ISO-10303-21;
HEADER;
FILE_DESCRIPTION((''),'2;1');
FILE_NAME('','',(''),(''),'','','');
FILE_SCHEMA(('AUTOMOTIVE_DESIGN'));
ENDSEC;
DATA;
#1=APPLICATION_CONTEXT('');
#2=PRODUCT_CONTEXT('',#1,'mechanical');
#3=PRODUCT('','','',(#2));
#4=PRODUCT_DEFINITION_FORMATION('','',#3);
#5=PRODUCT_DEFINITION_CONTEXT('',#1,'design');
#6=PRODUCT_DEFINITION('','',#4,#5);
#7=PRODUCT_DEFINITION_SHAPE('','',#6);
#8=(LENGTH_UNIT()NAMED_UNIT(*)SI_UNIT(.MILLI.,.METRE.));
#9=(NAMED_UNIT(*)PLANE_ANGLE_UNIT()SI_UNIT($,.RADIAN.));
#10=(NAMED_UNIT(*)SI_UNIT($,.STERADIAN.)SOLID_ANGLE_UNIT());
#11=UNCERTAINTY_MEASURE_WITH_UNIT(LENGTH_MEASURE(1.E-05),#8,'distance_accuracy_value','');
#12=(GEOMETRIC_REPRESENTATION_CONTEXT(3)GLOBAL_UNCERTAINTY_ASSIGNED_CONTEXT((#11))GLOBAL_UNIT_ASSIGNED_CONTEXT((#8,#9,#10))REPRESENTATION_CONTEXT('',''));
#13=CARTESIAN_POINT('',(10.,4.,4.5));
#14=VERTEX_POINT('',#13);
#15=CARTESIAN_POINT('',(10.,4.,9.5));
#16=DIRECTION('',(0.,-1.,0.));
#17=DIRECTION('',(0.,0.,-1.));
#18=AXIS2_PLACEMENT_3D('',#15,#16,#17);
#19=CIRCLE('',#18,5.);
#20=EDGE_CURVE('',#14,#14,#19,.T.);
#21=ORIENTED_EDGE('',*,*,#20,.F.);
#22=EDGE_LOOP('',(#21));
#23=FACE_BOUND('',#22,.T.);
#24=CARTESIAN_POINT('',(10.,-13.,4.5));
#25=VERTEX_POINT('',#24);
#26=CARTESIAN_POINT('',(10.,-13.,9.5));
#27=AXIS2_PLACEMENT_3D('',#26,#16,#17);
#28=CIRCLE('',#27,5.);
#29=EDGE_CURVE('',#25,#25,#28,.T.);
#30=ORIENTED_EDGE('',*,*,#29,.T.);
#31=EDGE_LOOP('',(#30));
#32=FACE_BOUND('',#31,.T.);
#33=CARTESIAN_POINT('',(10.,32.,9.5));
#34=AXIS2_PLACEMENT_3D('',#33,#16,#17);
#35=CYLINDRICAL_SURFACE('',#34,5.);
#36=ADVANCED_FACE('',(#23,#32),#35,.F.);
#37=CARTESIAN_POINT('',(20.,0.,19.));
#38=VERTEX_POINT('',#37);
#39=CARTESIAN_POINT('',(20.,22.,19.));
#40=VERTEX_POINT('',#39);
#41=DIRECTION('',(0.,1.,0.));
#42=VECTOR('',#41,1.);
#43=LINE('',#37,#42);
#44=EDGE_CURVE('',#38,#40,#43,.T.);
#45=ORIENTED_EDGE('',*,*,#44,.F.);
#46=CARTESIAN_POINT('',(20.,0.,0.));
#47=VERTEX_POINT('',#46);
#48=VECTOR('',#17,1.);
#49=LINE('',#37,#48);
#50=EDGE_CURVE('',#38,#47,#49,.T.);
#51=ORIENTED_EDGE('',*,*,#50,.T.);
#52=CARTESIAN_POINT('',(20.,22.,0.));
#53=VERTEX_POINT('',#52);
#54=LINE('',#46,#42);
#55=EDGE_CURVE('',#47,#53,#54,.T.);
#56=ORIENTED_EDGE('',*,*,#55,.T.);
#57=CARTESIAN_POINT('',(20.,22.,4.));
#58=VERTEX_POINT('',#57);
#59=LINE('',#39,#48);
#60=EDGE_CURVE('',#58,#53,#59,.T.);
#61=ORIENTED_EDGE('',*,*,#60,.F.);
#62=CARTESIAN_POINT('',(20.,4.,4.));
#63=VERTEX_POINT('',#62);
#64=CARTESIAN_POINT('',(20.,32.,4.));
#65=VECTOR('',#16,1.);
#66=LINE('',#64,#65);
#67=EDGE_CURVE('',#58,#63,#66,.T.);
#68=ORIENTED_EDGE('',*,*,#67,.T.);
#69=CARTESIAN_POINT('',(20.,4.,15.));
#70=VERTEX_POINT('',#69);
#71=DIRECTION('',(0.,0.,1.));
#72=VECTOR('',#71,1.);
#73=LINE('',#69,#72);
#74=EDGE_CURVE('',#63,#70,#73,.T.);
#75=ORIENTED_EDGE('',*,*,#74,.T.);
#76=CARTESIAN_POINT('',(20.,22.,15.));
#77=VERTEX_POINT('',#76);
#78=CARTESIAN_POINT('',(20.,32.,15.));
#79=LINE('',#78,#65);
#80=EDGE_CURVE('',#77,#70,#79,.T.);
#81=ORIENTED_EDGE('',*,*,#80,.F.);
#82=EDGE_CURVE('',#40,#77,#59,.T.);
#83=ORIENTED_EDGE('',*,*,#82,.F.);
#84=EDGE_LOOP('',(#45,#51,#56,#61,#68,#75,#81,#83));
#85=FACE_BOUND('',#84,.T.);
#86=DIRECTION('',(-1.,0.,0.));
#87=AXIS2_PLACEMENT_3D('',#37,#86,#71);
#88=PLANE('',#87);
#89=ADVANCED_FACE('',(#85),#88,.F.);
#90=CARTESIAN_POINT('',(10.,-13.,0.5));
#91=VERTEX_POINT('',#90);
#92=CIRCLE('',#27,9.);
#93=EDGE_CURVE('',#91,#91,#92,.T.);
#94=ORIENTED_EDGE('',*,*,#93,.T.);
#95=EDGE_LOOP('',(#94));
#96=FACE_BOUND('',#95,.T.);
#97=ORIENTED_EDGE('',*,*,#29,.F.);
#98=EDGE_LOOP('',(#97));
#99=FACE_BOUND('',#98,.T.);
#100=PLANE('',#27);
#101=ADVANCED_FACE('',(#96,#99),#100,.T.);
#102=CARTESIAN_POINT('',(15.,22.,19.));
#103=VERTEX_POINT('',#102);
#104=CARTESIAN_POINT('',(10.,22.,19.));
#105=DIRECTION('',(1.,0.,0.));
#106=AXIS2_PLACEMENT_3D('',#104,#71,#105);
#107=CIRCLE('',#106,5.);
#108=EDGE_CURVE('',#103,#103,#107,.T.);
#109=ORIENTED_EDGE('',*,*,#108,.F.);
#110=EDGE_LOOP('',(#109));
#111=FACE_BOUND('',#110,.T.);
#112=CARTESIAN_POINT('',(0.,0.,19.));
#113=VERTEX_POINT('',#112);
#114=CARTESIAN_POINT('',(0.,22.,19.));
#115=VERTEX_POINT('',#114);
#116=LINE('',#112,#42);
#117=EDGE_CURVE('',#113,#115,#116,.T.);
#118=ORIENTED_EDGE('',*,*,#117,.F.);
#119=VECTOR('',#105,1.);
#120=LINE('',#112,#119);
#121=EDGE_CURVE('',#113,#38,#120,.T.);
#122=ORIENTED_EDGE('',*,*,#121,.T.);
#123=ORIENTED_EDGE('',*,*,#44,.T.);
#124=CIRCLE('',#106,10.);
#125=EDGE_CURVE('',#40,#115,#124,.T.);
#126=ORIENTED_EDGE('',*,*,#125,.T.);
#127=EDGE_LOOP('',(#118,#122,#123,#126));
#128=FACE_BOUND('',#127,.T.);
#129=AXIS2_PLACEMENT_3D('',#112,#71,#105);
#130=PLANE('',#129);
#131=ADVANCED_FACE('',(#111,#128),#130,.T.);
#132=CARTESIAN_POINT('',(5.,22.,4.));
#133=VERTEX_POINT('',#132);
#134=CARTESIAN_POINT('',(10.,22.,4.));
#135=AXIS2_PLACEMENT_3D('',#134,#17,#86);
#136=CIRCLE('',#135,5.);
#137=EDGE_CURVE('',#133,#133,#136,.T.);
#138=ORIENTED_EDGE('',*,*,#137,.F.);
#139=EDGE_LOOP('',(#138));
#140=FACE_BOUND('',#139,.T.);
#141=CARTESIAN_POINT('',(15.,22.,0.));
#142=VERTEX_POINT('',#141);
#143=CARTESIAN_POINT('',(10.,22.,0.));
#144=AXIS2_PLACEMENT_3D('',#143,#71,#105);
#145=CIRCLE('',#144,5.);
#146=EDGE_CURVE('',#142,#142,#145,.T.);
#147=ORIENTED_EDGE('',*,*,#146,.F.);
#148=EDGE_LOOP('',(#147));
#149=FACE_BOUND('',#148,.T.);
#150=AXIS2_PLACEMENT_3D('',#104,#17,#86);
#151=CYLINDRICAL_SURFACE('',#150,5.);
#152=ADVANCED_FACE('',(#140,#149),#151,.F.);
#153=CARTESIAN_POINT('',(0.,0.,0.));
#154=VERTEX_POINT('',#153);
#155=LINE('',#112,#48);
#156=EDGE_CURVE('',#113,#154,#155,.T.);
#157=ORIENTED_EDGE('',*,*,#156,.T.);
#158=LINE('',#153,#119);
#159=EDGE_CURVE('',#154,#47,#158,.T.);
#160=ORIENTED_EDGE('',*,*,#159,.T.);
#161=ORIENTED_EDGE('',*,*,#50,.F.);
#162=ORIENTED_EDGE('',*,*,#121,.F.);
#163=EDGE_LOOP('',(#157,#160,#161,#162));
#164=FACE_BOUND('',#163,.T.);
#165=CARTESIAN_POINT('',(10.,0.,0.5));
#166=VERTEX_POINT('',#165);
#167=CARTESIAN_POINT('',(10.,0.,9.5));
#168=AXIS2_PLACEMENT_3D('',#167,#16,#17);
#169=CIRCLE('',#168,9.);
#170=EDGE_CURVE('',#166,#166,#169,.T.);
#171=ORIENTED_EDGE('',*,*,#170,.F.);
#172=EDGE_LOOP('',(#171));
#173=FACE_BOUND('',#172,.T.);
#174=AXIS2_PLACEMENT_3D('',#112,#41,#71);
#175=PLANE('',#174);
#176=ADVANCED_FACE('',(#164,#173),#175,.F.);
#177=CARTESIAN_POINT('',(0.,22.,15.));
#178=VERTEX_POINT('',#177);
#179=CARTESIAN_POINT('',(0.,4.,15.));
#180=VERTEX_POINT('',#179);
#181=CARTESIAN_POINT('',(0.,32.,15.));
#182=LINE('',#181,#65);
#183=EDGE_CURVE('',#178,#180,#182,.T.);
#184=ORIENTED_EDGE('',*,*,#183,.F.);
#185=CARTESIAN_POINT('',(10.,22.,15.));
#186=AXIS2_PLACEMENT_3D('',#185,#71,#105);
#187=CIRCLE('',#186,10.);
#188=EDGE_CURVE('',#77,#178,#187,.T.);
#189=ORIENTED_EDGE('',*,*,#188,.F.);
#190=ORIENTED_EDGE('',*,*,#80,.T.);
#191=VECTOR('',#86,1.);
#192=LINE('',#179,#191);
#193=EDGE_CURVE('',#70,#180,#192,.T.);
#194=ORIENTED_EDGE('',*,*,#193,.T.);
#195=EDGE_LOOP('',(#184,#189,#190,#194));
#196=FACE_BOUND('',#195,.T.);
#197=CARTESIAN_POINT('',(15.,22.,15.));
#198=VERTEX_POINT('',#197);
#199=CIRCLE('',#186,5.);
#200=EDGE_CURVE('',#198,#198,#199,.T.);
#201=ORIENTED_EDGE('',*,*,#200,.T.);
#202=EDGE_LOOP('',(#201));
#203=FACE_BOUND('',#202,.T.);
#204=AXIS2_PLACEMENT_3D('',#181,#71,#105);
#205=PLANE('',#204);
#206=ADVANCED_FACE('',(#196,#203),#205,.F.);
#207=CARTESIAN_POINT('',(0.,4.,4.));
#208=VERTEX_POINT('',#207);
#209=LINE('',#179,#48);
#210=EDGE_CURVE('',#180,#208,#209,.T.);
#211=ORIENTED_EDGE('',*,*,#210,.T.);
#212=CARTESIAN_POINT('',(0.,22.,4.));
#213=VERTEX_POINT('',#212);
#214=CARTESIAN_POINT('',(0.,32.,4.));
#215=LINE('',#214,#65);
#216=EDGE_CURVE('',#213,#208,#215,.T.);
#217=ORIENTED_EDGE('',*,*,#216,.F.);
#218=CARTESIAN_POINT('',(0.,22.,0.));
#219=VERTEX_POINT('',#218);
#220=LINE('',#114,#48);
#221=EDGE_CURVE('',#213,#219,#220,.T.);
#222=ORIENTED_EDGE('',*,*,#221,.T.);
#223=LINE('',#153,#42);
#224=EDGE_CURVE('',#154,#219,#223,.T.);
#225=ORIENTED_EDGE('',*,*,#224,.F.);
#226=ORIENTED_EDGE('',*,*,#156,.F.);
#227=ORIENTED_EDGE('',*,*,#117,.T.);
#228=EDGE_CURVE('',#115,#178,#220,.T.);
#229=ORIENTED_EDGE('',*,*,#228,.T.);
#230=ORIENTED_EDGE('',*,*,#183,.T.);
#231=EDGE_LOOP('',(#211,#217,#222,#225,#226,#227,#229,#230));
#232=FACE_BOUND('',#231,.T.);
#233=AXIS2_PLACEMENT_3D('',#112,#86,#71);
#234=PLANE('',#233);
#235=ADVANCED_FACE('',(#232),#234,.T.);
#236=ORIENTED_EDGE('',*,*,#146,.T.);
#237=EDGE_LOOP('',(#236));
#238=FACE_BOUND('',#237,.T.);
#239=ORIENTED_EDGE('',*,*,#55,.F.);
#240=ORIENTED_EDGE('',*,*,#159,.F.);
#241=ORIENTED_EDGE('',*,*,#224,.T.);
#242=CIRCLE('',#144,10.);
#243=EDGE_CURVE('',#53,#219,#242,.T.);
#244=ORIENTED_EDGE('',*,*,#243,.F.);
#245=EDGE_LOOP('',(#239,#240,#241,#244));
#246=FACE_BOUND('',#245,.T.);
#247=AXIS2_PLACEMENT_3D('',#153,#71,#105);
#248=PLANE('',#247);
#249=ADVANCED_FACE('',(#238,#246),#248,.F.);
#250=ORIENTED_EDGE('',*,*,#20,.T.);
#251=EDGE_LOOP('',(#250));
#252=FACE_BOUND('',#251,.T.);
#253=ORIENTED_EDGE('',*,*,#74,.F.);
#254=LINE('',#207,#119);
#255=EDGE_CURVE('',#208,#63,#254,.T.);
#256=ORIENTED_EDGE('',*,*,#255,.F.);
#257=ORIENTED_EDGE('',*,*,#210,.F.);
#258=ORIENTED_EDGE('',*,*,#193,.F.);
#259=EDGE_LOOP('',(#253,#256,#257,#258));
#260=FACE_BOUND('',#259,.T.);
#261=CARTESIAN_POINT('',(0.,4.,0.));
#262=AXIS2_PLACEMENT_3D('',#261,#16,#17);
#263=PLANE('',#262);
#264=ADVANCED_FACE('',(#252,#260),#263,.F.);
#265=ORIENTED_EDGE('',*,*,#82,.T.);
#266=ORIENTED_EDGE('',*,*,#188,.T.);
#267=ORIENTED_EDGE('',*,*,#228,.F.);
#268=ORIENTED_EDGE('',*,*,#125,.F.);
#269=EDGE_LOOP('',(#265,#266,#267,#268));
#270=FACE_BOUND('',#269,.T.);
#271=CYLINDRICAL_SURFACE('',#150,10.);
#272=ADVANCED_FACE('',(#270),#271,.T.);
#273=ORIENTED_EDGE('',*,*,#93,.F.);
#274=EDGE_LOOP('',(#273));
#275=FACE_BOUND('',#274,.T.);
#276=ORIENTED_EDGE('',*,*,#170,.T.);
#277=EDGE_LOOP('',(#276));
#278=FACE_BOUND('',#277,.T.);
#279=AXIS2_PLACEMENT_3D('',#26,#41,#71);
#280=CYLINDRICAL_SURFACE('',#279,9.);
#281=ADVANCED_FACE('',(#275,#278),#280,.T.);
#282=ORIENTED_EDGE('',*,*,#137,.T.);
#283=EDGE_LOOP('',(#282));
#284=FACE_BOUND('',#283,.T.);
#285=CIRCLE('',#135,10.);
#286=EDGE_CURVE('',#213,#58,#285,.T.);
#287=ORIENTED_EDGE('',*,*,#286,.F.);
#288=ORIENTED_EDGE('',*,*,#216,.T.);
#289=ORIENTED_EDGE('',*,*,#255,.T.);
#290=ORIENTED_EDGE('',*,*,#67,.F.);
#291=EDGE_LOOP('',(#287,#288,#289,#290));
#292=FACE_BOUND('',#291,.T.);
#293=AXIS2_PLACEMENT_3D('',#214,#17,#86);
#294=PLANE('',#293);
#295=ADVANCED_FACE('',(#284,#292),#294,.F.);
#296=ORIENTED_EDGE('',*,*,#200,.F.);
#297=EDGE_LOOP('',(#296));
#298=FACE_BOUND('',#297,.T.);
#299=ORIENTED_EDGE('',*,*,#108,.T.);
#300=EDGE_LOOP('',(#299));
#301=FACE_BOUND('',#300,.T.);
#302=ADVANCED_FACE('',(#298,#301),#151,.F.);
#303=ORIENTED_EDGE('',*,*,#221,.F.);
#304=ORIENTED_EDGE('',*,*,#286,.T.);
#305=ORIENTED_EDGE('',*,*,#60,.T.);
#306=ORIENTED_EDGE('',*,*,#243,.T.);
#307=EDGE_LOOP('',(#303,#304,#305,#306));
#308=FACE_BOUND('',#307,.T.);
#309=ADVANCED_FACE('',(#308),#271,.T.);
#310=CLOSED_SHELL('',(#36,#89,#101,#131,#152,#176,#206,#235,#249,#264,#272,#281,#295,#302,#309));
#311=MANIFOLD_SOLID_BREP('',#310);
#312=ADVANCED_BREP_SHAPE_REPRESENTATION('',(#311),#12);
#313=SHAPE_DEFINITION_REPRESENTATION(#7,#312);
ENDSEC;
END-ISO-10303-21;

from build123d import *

# Parameters (mm, degrees)
ESQUISSE1_R             = 10
ESQUISSE1_R_2           = 5
BOSS_EXTRU_1_DEPTH      = 19
ENL_V_START             = -4
ESQUISSE2_W             = 20
ESQUISSE2_H             = 11
ENL_V_MAT_EXTRU_1_DEPTH = 39.249260349
ESQUISSE3_R             = 5
ENL_V_MAT_EXTRU_2_DEPTH = 43.249260349
BOSS_EXTRU_2_START      = 13
ESQUISSE4_R             = 9
ESQUISSE4_R_2           = 5
BOSS_EXTRU_2_DEPTH      = 13


with BuildPart() as part:
    # Esquisse1 → Boss.-Extru.1 (new body)
    # profile 1 of 2: a face of its own
    with BuildSketch(Plane.XY):
        with BuildLine():
            Line((0, 22), (0, 0))
            Line((0, 0), (20, 0))
            Line((20, 0), (20, 22))
            ThreePointArc((20, 22), (10, 12), (0, 22))
        make_face()
    # profile 2 of 2: a face of its own
    with BuildSketch(Plane.XY):
        with Locations((10, 22)):
            Circle(ESQUISSE1_R)
        with Locations((10, 22)):
            Circle(ESQUISSE1_R_2, mode=Mode.SUBTRACT)
    extrude(amount=BOSS_EXTRU_1_DEPTH)

    # Esquisse2 → Enlèv. mat.-Extru.1 (cut, through all)
    with BuildSketch(Plane.XZ.offset(ENL_V_START)):
        with Locations((10, 9.5)):
            Rectangle(ESQUISSE2_W, ESQUISSE2_H)
    extrude(amount=-ENL_V_MAT_EXTRU_1_DEPTH, mode=Mode.SUBTRACT)

    # Esquisse3 → Enlèv. mat.-Extru.2 (cut, through all)
    with BuildSketch(Plane.XZ):
        with Locations(Location((10, 9.5, 0), (0, 0, 270))):
            Circle(ESQUISSE3_R)
    extrude(amount=-ENL_V_MAT_EXTRU_2_DEPTH, mode=Mode.SUBTRACT)

    # Esquisse4 → Boss.-Extru.2 (add)
    with BuildSketch(Plane.XZ.offset(BOSS_EXTRU_2_START)):
        with Locations(Location((10, 9.5, 0), (0, 0, 270))):
            Circle(ESQUISSE4_R)
        with Locations(Location((10, 9.5, 0), (0, 0, 270))):
            Circle(ESQUISSE4_R_2, mode=Mode.SUBTRACT)
    extrude(amount=-BOSS_EXTRU_2_DEPTH)


solid = part.part
